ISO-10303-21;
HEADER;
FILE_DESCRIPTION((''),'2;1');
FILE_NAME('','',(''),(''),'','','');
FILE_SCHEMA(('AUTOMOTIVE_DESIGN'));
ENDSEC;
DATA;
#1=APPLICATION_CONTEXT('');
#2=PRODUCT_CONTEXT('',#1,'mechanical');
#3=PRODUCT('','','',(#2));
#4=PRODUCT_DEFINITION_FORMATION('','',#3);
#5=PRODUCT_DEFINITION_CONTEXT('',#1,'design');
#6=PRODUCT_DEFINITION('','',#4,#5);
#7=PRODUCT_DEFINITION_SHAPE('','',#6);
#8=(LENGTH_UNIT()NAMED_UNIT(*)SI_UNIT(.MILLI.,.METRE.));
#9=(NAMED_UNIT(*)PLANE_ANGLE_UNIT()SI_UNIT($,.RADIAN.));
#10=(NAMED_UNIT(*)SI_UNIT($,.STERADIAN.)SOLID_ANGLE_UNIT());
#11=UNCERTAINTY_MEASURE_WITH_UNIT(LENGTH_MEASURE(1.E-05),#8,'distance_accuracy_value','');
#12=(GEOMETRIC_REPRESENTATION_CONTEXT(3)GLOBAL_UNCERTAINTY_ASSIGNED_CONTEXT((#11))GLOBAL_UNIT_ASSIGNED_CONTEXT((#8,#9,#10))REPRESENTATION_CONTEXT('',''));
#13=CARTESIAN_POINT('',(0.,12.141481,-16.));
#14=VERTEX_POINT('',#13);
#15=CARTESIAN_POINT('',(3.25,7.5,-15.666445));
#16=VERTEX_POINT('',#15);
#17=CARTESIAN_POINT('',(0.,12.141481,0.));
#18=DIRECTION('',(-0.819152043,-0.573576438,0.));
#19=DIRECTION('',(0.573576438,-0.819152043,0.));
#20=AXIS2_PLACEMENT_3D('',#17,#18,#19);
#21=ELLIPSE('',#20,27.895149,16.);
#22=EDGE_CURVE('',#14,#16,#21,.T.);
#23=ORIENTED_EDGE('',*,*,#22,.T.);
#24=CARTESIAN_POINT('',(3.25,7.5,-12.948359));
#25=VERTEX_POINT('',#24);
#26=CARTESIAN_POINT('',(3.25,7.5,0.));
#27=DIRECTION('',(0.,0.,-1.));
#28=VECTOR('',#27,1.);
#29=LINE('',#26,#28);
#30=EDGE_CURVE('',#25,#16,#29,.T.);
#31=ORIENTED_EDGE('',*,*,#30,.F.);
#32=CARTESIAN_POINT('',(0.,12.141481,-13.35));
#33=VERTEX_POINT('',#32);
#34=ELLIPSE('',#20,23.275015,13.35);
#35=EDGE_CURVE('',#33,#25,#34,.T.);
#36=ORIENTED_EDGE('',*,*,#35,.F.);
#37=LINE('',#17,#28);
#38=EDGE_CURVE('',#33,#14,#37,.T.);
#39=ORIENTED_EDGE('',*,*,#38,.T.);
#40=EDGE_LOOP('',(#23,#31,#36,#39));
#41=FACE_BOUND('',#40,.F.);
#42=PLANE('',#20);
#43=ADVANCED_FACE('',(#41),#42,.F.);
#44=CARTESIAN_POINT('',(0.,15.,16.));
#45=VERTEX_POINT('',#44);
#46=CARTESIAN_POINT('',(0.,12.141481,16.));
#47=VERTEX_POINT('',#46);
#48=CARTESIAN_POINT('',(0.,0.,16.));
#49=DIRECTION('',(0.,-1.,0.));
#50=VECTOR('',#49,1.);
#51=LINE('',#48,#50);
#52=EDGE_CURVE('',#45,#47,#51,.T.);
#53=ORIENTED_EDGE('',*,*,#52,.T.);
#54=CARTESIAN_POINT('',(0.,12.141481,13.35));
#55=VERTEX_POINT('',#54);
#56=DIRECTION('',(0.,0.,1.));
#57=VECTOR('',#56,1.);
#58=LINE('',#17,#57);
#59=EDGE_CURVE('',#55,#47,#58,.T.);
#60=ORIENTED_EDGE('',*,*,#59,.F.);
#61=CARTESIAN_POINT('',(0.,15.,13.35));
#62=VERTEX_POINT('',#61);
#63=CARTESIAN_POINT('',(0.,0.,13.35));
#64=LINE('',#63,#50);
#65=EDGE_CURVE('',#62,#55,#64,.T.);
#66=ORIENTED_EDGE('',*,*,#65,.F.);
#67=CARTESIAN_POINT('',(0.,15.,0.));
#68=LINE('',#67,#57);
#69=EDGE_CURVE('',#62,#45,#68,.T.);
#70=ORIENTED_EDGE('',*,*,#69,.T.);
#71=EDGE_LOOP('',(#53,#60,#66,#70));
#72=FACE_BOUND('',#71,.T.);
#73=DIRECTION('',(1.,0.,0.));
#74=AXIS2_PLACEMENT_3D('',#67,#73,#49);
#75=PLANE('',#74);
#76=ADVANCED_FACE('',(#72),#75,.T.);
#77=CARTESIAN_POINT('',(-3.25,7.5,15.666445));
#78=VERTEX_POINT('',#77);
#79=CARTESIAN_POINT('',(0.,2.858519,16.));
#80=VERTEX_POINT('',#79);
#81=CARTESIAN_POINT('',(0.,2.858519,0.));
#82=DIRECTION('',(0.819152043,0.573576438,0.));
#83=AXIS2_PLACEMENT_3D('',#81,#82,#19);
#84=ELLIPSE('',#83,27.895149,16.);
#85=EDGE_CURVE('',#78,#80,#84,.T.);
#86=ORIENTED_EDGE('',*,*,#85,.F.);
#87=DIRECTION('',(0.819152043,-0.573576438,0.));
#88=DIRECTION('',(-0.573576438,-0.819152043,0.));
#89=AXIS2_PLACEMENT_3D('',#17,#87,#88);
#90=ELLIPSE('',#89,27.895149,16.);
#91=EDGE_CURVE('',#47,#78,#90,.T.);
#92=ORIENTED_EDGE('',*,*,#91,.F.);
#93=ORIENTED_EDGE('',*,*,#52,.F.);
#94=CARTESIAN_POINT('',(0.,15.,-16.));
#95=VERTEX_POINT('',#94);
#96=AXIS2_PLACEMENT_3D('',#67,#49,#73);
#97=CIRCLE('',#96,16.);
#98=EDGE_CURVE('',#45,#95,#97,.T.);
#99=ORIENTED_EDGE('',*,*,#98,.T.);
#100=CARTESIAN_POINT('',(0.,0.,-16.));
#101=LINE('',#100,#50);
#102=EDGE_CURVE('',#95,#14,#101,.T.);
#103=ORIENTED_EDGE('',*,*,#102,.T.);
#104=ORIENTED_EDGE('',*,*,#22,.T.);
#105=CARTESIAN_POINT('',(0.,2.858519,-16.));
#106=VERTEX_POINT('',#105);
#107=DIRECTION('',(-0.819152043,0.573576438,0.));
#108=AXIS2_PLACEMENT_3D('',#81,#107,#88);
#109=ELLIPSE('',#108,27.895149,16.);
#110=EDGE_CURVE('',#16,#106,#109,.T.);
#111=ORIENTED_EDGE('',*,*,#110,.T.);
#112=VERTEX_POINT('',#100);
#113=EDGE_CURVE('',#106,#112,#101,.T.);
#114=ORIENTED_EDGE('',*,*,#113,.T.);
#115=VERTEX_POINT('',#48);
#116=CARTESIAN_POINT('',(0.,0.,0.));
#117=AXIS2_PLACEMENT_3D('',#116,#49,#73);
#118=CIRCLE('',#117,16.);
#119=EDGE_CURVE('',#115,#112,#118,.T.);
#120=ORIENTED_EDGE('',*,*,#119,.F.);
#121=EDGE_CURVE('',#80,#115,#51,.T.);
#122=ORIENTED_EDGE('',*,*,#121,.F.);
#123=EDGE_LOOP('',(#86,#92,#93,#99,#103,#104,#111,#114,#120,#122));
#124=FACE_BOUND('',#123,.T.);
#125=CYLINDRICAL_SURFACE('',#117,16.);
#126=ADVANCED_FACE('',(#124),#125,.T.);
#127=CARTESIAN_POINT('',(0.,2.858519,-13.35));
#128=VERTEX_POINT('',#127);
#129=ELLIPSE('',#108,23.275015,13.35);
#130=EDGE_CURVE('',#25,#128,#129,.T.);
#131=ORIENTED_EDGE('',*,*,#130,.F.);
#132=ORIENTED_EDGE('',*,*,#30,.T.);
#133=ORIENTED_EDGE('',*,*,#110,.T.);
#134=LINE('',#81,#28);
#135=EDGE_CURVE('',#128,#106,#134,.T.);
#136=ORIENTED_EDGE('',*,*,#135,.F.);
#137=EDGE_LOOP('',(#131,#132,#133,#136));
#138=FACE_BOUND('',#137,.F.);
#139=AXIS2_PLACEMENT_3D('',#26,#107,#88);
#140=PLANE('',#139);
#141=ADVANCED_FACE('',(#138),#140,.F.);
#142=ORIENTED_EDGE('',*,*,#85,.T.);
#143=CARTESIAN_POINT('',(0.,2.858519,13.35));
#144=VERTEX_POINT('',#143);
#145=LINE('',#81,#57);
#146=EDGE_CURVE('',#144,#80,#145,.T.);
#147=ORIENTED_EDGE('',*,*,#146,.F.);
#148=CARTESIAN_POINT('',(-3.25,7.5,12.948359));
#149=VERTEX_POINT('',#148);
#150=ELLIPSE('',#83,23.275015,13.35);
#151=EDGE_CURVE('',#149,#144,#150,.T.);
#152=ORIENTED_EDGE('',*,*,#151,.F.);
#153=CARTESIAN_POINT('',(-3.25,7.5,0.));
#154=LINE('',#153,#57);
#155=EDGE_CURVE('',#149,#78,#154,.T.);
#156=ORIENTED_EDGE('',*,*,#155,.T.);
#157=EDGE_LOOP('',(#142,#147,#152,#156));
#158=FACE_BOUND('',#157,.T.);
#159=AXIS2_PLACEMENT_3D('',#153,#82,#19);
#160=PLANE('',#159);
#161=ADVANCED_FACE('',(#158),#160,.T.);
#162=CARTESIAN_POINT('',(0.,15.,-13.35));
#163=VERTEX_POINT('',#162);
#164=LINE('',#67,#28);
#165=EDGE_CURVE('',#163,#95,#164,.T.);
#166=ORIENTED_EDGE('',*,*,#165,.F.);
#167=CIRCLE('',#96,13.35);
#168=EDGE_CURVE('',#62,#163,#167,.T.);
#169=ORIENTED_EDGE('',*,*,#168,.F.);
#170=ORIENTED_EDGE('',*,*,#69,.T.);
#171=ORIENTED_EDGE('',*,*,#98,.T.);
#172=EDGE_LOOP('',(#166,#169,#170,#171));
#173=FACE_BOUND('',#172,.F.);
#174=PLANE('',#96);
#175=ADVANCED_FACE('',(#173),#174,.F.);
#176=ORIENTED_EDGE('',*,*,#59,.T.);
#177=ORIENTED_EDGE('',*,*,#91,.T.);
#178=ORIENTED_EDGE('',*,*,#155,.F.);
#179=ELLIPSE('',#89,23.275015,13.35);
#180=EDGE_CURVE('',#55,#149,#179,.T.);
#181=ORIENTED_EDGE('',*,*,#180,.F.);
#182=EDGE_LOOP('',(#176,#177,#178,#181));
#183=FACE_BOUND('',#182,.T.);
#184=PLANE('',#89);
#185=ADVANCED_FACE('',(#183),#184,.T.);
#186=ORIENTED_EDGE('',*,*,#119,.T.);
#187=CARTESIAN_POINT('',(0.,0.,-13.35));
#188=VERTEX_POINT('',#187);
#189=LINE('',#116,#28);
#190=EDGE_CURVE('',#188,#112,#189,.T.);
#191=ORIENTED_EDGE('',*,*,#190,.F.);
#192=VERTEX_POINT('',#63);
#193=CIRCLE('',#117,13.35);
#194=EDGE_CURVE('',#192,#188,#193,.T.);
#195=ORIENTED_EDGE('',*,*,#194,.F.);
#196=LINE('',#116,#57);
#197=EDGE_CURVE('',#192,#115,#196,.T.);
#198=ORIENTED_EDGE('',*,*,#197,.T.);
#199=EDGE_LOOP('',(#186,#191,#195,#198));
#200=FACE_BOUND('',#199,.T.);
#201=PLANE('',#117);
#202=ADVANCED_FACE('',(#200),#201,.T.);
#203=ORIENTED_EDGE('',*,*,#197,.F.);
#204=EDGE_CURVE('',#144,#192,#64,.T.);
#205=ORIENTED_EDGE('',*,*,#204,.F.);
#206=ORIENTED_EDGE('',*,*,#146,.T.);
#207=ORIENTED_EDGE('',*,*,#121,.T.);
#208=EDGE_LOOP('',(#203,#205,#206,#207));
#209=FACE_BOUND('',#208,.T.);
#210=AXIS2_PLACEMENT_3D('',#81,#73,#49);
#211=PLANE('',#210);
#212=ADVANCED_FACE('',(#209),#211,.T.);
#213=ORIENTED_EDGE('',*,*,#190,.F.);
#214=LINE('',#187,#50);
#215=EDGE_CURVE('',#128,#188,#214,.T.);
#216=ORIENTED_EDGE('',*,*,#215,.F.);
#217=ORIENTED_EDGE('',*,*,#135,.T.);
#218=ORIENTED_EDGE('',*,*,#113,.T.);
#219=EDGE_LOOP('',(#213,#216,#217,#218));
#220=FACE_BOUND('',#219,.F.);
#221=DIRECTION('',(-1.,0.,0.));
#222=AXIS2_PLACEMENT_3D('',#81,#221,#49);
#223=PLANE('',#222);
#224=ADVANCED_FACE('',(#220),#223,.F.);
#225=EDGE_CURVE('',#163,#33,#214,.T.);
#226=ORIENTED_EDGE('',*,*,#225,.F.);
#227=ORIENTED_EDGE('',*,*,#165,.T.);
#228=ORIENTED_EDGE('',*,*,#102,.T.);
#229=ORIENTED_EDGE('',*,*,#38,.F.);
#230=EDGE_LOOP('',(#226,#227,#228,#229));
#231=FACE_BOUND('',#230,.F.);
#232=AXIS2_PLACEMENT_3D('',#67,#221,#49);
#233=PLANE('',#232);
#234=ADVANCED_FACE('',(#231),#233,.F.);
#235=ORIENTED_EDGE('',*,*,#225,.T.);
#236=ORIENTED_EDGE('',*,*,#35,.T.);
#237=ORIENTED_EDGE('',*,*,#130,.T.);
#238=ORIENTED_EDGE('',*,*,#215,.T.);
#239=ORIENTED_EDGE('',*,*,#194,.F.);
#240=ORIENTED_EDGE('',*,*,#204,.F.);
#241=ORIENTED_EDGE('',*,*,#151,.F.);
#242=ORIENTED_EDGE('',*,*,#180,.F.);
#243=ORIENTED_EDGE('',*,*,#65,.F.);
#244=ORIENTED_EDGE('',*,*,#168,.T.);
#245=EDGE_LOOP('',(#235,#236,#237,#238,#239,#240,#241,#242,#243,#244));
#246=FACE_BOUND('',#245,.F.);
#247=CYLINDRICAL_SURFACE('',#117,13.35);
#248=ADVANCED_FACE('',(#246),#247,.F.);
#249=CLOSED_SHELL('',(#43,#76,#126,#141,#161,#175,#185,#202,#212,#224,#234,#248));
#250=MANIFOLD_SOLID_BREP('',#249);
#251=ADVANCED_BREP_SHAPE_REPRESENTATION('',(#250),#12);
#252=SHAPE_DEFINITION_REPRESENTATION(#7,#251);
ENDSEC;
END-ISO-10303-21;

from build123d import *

# Parameters (mm, degrees)
F0_R     = 16
F0_R_2   = 13.35
F1_DEPTH = 15
F3_DEPTH = 25
F5_DEPTH = 25


with BuildPart() as f1:
    # F0 (on Front) → F1 (new body)
    with BuildSketch(Plane.XZ):
        Circle(F0_R)
        Circle(F0_R_2, mode=Mode.SUBTRACT)
    extrude(amount=-F1_DEPTH)

    # F2 (on Top) → F3 (cut)
    with BuildSketch(Plane.XY):
        Polygon((16, 0), (16, 15), (0, 15), (0, 12.141481), (3.25, 7.5), (0, 2.858519), (0, 0), align=None)
    extrude(amount=-F3_DEPTH, mode=Mode.SUBTRACT)

    # F4 (on Top) → F5 (cut)
    with BuildSketch(Plane.XY):
        Polygon((16, 0), (16, 15), (0, 15), (0, 12.141481), (-3.25, 7.5), (0, 2.858519), (0, 0), align=None)
    extrude(amount=F5_DEPTH, mode=Mode.SUBTRACT)


solid = f1.part
